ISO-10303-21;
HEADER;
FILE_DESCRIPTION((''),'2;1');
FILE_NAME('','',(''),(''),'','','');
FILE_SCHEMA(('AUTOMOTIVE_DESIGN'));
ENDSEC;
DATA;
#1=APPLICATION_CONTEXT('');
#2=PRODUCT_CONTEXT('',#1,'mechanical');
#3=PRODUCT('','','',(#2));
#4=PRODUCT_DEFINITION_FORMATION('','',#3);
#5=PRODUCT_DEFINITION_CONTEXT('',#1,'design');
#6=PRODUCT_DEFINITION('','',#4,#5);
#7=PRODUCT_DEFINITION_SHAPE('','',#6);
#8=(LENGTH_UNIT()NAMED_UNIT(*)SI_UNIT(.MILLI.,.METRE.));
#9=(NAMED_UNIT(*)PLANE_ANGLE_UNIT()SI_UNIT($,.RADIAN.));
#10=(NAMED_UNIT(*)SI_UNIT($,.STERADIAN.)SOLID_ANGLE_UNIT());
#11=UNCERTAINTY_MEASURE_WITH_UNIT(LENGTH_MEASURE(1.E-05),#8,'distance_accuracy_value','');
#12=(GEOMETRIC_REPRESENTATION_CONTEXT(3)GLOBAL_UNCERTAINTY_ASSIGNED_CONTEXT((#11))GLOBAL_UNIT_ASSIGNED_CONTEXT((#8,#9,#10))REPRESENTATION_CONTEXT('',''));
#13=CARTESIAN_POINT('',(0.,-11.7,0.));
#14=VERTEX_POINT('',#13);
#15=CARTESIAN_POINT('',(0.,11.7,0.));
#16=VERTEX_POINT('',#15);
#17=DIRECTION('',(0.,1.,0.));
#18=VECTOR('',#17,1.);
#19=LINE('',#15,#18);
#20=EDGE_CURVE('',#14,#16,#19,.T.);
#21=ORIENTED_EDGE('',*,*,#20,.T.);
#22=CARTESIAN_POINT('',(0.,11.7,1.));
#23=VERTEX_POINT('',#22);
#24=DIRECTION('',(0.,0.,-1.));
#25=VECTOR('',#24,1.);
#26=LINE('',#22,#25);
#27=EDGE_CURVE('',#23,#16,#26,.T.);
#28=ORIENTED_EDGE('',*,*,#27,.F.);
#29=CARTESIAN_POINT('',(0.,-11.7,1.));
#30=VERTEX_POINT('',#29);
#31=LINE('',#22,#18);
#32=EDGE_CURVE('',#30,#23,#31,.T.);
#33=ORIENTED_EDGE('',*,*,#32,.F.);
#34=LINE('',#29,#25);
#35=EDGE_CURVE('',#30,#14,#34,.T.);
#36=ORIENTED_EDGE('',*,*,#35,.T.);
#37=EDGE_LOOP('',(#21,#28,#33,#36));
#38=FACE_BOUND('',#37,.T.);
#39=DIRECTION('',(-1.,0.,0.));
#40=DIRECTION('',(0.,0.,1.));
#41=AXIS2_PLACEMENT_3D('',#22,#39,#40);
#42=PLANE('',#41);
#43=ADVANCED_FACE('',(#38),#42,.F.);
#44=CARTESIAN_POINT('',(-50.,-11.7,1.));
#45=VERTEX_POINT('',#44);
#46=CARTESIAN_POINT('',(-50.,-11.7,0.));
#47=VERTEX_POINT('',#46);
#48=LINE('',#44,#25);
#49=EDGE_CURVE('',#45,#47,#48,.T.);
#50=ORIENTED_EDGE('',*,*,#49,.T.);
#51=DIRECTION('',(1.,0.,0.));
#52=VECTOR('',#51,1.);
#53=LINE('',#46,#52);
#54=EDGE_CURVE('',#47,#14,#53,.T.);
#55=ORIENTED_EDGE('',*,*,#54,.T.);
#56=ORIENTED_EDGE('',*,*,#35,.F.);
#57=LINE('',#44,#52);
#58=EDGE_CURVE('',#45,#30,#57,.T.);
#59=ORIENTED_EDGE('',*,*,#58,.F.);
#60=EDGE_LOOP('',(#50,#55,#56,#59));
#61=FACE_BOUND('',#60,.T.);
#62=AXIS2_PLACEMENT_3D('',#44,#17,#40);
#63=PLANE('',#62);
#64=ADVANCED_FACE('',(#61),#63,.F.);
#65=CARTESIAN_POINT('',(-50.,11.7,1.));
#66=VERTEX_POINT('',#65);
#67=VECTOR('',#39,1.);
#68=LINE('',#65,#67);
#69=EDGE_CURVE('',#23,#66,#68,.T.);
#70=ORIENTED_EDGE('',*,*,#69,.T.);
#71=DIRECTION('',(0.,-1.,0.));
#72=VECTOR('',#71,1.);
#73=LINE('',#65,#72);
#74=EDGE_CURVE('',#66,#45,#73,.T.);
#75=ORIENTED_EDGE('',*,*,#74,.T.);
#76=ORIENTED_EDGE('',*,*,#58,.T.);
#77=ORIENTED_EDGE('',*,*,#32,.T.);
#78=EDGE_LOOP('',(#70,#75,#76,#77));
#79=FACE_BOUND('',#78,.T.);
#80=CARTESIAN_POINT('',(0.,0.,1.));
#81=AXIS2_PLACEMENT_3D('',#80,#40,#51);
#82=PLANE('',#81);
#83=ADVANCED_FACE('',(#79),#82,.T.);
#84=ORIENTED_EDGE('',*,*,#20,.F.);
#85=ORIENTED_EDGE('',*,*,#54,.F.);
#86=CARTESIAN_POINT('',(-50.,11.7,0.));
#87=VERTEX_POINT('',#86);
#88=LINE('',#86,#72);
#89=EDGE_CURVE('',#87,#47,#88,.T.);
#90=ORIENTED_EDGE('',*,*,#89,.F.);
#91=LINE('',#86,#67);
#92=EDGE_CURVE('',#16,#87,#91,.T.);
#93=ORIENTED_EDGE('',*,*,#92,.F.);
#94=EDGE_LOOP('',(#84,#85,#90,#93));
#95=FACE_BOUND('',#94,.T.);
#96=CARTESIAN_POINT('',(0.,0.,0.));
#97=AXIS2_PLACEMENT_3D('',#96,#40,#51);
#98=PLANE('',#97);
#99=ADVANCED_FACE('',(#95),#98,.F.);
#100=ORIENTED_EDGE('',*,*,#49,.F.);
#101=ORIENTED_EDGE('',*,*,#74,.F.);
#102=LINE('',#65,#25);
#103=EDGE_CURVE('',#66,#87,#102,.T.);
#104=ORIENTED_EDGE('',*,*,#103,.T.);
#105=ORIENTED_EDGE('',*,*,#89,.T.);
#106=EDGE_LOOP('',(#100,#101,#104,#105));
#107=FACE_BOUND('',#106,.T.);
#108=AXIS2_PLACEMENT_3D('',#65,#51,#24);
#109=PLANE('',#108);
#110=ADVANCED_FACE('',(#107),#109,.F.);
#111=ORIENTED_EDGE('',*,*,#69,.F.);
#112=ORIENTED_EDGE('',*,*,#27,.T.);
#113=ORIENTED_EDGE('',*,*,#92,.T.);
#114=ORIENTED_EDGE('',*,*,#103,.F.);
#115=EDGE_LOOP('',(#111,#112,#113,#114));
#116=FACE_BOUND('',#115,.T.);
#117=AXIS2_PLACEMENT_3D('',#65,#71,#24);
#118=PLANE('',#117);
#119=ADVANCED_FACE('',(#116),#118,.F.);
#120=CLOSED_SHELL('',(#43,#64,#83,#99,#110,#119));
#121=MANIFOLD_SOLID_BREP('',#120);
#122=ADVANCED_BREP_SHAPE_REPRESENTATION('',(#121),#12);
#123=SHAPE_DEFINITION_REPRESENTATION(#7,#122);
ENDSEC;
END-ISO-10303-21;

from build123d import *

# Parameters (mm, degrees)
SKETCH_1_W      = 50
SKETCH_1_H      = 23.4
EXTRUDE_1_DEPTH = 1


with BuildPart() as part:
    # 草图1 → 凸台-拉伸1 (new body)
    with BuildSketch(Plane.XY):
        with Locations((-25, 0)):
            Rectangle(SKETCH_1_W, SKETCH_1_H)
    extrude(amount=EXTRUDE_1_DEPTH)


solid = part.part
